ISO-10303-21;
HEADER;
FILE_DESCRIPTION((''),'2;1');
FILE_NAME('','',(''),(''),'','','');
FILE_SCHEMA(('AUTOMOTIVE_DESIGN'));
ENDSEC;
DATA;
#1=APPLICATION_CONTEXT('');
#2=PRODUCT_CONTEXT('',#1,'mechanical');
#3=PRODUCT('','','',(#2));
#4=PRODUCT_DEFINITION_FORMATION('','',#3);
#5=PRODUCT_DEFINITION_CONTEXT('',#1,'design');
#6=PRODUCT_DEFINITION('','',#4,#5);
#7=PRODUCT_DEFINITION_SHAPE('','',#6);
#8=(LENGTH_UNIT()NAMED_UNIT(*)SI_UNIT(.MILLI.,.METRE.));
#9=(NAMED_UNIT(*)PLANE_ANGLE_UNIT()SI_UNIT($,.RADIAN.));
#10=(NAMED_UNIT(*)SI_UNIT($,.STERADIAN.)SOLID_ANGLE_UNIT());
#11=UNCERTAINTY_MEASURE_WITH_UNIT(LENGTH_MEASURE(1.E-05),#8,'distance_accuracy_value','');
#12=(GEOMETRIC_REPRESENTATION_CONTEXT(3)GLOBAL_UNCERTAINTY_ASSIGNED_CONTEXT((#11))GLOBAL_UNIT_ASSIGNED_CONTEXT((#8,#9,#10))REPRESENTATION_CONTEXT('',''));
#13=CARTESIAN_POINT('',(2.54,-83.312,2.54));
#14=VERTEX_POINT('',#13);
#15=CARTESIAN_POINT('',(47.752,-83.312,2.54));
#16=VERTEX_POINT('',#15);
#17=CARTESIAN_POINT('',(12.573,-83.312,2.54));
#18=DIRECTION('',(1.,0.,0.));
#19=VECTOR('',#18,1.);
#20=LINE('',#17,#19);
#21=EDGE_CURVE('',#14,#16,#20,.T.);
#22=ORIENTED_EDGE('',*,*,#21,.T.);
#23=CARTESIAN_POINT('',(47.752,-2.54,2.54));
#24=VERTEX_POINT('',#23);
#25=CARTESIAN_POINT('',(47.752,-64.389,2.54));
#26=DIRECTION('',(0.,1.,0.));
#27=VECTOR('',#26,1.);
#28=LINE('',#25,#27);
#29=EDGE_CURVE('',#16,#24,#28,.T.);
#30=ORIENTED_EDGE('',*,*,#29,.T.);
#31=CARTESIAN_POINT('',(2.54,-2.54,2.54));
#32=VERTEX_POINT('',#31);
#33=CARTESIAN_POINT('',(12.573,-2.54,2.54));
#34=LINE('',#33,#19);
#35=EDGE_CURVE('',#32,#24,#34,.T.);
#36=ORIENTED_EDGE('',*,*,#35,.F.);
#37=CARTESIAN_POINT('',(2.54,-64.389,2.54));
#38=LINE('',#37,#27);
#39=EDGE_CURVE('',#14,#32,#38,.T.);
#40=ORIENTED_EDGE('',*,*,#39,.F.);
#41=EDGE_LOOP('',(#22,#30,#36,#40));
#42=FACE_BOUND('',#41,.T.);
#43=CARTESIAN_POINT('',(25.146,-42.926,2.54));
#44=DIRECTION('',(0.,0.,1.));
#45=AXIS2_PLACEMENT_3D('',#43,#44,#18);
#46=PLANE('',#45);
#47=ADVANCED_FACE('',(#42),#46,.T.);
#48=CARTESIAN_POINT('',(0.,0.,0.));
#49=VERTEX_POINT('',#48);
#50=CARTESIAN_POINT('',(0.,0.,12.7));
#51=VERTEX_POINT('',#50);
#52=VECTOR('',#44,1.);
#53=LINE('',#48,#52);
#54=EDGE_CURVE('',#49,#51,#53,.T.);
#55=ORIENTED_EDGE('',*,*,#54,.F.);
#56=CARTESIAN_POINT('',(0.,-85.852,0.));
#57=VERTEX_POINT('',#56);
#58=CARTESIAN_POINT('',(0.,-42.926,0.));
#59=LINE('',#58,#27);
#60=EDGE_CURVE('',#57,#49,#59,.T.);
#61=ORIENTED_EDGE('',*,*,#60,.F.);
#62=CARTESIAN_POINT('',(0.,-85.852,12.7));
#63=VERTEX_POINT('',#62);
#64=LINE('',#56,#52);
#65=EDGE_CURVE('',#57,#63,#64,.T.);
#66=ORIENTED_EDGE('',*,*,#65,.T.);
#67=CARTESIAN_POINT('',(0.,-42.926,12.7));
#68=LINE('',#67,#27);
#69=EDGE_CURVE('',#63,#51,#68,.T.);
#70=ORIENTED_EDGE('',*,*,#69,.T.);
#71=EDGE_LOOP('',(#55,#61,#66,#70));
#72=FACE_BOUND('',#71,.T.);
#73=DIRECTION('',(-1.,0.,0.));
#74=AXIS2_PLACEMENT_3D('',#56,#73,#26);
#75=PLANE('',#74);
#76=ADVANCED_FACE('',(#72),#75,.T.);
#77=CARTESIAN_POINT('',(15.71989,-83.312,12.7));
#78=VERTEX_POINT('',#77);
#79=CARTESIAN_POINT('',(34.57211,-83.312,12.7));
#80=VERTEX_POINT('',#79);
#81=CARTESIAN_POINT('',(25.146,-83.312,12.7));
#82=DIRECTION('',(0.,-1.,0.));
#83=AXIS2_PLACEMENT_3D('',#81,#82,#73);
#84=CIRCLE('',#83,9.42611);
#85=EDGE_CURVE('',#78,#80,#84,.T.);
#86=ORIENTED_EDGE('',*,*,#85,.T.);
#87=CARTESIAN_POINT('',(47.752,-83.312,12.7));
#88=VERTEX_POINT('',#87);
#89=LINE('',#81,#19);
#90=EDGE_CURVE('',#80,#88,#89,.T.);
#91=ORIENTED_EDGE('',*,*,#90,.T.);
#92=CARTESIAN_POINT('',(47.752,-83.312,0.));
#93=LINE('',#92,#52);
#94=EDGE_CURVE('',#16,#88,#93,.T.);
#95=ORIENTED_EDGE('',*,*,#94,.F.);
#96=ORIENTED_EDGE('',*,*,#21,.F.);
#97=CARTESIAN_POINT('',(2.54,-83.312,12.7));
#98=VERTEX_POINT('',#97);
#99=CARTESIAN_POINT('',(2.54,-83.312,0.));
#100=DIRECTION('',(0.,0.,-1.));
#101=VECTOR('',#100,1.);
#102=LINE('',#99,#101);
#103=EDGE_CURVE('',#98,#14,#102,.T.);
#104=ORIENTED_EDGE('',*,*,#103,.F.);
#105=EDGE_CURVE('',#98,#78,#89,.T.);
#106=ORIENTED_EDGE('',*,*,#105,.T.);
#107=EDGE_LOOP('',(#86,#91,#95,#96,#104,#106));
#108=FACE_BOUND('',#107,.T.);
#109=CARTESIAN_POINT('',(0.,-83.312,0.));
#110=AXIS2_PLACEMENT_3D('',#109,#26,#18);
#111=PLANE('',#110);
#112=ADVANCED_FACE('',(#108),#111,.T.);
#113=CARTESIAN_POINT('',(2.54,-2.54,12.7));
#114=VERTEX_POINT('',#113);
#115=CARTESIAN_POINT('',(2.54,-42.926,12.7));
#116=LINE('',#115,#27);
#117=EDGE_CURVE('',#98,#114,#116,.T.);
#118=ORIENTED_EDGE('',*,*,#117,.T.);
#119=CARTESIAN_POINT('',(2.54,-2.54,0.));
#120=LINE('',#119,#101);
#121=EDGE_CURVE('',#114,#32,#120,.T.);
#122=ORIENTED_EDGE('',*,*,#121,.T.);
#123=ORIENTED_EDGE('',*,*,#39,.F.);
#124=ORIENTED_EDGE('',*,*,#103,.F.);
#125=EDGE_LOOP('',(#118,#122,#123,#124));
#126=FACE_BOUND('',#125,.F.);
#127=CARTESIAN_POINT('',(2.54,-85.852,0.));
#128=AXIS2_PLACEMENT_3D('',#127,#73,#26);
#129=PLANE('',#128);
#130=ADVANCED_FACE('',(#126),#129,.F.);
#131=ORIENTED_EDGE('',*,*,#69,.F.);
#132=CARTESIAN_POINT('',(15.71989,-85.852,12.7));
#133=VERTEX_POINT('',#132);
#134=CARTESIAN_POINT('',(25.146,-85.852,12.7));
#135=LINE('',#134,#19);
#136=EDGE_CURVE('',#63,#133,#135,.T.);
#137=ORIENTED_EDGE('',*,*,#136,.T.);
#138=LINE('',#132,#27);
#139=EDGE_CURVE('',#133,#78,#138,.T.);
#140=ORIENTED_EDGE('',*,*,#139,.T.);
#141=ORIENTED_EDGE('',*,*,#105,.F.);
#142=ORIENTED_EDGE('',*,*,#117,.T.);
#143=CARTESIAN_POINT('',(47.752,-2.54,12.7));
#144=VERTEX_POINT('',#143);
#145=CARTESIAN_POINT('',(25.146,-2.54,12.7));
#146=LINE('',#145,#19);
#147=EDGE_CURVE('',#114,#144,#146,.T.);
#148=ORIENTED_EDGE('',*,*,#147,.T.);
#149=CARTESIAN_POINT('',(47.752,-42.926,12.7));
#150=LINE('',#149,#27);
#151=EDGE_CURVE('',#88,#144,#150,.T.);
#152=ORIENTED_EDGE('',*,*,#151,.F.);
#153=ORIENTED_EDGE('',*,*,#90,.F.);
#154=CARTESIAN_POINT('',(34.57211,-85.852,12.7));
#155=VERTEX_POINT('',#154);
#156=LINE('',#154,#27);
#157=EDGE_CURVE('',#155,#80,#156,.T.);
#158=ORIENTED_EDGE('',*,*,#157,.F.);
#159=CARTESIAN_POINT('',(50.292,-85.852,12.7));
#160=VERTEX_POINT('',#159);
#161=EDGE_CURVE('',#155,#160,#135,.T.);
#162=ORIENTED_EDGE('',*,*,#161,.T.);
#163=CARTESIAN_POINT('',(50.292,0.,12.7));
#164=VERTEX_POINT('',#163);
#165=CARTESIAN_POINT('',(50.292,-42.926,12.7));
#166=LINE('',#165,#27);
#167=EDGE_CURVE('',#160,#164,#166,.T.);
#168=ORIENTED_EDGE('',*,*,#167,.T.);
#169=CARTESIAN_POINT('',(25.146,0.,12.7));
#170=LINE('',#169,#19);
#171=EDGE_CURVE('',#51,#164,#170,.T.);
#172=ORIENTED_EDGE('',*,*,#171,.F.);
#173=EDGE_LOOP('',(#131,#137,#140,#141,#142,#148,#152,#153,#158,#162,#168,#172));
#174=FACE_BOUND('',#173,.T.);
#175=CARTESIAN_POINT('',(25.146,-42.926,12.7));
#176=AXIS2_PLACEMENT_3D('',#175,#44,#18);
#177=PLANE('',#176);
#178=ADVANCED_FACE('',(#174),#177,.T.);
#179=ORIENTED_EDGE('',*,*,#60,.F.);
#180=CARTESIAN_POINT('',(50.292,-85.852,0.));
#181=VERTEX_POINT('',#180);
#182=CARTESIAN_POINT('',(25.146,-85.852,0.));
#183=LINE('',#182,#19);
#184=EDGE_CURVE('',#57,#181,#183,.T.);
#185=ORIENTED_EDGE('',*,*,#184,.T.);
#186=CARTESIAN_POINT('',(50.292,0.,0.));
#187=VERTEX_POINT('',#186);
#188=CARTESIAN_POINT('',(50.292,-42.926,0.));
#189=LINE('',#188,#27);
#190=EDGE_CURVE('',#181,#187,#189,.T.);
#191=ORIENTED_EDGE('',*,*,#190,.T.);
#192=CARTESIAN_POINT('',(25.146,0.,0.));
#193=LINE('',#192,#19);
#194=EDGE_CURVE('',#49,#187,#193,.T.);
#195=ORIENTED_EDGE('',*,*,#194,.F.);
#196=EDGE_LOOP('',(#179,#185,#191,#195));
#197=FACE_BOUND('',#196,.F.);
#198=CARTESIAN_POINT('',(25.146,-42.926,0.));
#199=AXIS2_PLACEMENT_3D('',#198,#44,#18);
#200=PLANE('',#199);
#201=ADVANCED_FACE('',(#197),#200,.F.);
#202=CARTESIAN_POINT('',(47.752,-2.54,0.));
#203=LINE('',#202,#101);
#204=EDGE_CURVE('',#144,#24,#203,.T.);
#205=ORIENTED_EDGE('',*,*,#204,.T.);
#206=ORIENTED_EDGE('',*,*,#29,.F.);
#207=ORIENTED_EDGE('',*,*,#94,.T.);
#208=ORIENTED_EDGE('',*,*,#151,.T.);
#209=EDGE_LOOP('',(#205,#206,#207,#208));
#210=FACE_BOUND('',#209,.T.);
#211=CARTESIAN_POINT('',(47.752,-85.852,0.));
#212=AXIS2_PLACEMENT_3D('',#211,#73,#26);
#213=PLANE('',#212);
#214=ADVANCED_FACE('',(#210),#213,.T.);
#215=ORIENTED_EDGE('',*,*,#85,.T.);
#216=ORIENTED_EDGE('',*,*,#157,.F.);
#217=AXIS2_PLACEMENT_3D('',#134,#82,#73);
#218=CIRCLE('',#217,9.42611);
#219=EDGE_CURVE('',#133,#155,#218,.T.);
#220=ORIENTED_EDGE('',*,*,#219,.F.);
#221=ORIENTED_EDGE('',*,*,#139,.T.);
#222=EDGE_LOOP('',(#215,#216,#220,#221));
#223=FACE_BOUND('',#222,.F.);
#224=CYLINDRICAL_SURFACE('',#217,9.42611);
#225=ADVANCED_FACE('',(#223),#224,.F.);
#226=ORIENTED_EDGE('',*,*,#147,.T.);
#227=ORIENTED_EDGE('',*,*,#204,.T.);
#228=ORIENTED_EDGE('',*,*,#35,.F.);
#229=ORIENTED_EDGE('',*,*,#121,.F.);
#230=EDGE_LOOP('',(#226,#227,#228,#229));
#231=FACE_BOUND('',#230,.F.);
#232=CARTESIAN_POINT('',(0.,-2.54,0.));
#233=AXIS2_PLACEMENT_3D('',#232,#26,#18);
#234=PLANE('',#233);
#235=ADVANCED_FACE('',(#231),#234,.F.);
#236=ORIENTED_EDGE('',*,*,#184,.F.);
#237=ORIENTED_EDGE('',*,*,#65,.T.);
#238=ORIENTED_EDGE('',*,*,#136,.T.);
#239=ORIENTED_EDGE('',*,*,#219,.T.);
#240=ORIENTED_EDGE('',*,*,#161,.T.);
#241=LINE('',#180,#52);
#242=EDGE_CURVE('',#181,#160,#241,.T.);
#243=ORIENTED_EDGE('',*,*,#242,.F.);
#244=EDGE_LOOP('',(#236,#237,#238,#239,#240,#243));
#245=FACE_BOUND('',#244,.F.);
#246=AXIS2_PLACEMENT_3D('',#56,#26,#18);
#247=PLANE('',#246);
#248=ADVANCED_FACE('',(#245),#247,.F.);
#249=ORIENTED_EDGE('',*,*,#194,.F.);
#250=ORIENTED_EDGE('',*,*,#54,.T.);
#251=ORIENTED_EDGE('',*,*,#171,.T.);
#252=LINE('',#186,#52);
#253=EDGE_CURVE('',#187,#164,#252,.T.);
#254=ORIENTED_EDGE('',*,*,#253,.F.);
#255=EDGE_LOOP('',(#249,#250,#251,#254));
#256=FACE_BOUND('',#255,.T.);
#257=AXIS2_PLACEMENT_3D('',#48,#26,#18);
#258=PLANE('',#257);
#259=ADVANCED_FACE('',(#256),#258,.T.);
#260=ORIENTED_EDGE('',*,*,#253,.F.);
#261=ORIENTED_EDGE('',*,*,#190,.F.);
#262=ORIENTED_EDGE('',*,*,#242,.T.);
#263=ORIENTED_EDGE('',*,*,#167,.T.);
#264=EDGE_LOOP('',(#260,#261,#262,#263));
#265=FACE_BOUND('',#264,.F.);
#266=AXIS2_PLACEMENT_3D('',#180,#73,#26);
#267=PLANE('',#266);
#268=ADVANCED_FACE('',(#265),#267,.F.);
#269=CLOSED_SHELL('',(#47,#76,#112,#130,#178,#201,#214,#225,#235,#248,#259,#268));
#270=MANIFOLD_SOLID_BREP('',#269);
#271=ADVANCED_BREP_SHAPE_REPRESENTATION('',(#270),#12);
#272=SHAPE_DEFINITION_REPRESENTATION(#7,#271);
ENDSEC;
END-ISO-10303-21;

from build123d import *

# Parameters (mm, degrees)
F0_W     = 50.292
F0_H     = 85.852
F1_DEPTH = 12.7
F2_T     = -2.54
F4_DEPTH = 25.4


with BuildPart() as f1:
    # F0 (on Top) → F1 (new body)
    with BuildSketch(Plane.XY):
        with Locations((25.146, -42.926)):
            Rectangle(F0_W, F0_H)
    extrude(amount=F1_DEPTH)

    # F2
    f2_openings = [f1.faces().sort_by_distance(p)[0] for p in [
        (25.146, -42.926, 12.7),
    ]]
    offset(amount=F2_T, openings=f2_openings)

    # F3 (on face) → F4 (cut)
    with BuildSketch(Plane.XZ.offset(85.852)):
        with BuildLine():
            ThreePointArc((15.71989, 12.7), (25.146, 3.27389), (34.57211, 12.7))
            Line((34.57211, 12.7), (15.71989, 12.7))
        make_face()
    extrude(amount=-F4_DEPTH, mode=Mode.SUBTRACT)


solid = f1.part
